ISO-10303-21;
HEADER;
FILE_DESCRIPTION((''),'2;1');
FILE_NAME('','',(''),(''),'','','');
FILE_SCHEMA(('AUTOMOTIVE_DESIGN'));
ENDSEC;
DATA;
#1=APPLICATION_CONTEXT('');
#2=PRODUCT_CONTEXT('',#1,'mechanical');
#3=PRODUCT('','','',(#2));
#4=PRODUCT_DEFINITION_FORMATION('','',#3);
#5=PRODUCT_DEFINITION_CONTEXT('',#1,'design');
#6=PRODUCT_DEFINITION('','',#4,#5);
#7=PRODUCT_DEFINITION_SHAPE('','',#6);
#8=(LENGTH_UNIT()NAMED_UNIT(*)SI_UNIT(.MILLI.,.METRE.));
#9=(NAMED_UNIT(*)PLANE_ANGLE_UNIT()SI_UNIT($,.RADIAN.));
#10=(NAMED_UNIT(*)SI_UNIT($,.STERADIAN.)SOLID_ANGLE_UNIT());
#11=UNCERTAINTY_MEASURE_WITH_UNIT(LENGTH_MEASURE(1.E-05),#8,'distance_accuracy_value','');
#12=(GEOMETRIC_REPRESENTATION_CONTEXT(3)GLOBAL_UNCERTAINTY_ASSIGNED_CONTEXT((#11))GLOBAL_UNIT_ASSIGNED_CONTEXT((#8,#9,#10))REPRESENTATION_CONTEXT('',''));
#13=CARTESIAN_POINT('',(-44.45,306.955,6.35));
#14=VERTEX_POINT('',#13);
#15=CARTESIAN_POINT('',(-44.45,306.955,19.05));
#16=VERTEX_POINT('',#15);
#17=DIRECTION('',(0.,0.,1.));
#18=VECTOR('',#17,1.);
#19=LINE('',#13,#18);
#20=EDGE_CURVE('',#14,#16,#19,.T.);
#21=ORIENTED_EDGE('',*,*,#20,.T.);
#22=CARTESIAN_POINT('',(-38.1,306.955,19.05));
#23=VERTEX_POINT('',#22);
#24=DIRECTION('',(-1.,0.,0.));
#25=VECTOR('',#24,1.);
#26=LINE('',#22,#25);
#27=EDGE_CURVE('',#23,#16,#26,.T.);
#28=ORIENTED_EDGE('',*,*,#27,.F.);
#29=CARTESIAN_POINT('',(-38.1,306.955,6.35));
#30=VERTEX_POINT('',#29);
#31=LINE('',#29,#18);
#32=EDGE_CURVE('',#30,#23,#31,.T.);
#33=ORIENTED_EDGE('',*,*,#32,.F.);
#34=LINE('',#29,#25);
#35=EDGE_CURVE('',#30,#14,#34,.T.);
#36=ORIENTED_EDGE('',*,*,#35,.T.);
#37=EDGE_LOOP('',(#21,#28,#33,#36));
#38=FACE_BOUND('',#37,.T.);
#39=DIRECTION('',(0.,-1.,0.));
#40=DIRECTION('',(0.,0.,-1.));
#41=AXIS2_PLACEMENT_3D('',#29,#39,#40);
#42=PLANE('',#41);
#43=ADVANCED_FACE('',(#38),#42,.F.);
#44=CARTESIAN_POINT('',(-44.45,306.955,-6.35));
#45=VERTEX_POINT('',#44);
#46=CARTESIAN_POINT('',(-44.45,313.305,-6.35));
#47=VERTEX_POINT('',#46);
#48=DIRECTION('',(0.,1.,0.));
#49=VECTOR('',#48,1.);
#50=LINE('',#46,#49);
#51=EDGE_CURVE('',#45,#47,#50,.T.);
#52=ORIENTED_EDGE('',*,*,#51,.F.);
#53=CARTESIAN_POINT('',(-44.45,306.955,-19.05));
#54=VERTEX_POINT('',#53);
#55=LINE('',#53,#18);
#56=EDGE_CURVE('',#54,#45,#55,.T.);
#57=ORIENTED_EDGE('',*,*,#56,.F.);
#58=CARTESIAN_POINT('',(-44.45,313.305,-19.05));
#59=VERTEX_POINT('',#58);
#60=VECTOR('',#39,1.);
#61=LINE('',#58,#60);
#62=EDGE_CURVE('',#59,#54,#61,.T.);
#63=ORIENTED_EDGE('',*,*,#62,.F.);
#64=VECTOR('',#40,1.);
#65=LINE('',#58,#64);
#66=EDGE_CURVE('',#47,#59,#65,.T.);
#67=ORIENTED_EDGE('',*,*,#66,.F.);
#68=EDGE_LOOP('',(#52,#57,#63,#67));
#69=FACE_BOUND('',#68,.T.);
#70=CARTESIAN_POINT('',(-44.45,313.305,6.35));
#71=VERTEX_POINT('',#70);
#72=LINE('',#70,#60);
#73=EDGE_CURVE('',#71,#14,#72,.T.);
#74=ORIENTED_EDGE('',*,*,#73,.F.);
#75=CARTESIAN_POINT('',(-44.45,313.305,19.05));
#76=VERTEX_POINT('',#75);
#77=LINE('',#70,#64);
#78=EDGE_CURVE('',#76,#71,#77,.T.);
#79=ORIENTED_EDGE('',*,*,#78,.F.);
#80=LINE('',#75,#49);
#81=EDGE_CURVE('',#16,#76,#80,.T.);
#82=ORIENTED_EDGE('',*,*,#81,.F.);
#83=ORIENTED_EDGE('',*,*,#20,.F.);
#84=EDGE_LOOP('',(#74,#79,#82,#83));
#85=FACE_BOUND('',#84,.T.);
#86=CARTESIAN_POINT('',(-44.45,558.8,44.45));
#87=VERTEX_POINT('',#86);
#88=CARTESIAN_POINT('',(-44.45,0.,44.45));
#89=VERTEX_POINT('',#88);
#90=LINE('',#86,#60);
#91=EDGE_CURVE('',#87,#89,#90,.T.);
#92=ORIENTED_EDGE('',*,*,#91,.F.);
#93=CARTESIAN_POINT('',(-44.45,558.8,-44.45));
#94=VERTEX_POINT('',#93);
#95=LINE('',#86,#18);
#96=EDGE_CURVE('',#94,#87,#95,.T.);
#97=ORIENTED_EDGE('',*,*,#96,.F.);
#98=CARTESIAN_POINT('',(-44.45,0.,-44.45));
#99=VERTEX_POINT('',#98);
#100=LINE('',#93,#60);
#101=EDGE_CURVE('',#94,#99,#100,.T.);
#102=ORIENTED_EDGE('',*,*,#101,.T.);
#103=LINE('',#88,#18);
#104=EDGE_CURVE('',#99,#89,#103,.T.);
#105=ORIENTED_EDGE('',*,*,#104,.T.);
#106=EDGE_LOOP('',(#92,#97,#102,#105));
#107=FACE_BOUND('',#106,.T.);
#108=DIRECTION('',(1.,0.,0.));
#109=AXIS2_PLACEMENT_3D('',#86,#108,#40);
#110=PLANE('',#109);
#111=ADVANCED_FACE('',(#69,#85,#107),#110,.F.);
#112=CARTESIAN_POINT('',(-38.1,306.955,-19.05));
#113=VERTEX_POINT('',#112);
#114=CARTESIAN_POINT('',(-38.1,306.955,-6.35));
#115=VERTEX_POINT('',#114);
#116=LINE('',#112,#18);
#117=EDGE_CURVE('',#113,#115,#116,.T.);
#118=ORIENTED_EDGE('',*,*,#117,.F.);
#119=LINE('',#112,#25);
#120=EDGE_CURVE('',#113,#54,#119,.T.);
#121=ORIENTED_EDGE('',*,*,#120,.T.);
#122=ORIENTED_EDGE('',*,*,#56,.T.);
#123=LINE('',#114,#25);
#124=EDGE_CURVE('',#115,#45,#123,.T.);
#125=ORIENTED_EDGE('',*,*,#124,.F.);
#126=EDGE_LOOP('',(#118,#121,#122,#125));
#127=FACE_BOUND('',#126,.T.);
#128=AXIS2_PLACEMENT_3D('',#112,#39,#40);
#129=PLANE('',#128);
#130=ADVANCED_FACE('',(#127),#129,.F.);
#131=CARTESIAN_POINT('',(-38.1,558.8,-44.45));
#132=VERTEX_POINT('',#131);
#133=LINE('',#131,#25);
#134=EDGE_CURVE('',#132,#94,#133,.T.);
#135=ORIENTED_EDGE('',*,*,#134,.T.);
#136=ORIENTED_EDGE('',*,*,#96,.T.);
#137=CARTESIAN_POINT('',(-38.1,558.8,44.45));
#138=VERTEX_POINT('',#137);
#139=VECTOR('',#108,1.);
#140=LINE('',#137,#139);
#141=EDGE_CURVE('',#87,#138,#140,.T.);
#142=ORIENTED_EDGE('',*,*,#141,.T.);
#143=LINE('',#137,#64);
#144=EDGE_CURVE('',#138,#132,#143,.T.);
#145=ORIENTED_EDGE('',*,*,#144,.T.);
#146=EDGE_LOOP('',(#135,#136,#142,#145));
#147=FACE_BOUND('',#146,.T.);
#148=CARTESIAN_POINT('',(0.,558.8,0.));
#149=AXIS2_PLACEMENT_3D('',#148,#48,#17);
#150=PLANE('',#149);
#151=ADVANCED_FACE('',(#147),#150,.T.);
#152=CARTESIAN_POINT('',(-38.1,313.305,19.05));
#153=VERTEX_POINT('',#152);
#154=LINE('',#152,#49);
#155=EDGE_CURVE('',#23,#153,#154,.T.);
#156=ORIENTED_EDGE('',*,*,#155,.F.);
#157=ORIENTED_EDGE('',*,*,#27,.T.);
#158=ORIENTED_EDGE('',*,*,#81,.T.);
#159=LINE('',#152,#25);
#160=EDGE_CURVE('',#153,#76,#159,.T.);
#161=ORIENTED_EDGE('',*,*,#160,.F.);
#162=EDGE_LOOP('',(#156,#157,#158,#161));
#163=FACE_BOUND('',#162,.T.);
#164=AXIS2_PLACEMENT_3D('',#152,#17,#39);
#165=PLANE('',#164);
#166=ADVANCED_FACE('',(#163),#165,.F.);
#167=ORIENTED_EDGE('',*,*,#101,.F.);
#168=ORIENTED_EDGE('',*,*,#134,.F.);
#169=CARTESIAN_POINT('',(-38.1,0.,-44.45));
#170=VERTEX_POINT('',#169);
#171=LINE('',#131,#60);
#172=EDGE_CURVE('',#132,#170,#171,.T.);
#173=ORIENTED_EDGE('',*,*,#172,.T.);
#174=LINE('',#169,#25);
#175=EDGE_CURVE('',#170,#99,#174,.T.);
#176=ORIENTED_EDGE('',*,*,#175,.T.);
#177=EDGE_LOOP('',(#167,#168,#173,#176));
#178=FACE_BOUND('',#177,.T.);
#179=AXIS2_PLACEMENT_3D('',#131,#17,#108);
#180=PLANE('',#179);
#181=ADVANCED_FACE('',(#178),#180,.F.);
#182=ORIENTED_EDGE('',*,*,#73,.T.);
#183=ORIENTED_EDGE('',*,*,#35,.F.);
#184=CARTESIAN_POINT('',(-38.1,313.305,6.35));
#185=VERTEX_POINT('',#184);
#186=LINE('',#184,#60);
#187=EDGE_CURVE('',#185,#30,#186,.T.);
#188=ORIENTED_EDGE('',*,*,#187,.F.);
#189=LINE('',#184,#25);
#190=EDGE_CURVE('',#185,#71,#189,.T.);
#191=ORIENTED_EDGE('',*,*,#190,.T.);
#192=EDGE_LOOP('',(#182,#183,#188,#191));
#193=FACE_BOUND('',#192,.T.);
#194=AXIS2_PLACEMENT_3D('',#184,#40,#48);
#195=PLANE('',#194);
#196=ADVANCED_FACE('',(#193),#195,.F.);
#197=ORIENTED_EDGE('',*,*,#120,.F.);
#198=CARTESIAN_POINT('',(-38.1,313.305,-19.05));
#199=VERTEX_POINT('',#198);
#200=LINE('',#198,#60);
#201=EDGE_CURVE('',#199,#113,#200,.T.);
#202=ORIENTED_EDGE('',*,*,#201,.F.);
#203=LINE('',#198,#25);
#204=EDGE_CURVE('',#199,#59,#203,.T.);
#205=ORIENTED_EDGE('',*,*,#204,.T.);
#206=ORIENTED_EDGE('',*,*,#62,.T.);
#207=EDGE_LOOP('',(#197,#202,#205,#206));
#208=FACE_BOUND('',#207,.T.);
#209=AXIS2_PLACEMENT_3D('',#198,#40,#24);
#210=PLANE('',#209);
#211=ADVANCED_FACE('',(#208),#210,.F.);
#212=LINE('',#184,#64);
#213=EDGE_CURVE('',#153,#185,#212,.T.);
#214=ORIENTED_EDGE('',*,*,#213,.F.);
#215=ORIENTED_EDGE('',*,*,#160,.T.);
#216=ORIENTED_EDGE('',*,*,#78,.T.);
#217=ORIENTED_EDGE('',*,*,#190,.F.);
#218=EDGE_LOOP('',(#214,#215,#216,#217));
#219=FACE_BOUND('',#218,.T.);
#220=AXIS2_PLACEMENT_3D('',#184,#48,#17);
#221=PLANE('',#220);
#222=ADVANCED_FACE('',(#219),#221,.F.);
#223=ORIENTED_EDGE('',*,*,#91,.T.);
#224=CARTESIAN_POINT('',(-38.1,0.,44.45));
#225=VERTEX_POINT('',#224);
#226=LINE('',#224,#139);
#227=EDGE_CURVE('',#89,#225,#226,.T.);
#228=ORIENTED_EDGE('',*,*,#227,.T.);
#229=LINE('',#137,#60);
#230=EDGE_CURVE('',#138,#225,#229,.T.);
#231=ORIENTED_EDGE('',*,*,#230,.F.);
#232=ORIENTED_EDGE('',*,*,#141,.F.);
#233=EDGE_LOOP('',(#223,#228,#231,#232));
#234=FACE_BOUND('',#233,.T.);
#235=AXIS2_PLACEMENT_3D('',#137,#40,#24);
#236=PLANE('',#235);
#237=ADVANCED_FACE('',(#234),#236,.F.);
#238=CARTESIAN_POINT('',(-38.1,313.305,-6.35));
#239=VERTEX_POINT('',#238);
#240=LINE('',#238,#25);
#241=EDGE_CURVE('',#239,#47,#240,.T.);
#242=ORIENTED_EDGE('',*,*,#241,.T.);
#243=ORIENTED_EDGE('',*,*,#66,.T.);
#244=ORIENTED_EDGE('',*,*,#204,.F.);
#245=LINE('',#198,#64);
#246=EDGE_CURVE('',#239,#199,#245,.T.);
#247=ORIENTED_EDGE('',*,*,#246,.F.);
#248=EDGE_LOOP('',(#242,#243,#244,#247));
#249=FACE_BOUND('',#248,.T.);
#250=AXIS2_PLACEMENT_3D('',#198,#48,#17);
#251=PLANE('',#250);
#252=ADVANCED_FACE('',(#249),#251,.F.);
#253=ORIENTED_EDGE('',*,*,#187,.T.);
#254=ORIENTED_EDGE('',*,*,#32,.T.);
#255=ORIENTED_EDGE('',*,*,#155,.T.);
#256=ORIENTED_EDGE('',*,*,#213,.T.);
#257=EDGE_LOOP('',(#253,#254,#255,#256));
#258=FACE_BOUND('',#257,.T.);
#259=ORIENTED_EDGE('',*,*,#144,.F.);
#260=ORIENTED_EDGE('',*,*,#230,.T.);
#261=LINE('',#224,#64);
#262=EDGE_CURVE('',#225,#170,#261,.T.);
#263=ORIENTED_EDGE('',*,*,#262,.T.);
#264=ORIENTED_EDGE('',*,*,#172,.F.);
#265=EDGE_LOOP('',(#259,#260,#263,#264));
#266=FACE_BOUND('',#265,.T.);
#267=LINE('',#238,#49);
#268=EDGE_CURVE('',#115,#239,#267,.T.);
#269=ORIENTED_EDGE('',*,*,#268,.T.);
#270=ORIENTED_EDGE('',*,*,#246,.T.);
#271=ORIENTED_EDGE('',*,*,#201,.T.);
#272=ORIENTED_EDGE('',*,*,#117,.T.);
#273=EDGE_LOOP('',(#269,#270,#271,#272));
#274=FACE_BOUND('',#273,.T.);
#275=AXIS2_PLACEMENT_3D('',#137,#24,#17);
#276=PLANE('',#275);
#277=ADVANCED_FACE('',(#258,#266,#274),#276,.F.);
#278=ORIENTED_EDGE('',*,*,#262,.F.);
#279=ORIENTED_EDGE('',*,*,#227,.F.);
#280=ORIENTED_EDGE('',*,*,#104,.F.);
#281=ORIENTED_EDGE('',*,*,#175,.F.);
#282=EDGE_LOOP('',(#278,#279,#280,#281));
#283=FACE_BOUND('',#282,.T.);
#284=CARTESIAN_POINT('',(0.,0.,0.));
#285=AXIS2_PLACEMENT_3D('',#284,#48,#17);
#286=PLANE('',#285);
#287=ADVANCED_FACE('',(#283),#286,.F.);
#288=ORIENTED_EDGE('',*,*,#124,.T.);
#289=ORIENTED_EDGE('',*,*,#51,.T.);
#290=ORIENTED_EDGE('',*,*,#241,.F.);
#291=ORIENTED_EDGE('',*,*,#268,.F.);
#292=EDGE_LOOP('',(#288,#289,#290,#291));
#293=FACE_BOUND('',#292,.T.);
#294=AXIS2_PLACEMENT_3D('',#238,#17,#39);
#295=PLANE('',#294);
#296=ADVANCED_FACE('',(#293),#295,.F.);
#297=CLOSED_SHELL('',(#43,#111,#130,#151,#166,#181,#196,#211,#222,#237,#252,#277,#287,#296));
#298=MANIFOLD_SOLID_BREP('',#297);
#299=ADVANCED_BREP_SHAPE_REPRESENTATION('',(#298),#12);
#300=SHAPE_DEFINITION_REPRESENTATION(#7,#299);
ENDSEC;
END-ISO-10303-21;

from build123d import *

# Parameters (mm, degrees)
SKETCH2_W           = 6.35
SKETCH2_H           = 88.9
BOSS_EXTRUDE1_DEPTH = 558.8
SKETCH3_W           = 12.7
SKETCH3_H           = 6.35
CUT_EXTRUDE1_DEPTH  = 561.60107474


with BuildPart() as part:
    # Sketch2 → Boss-Extrude1 (new body)
    with BuildSketch(Plane(origin=(0, 0, 0), x_dir=(1, 0, 0), z_dir=(0, 1, 0))):
        with Locations((-41.275, 0)):
            Rectangle(SKETCH2_W, SKETCH2_H)
    extrude(amount=BOSS_EXTRUDE1_DEPTH)

    # Sketch3 → Cut-Extrude1 (cut, through all)
    with BuildSketch(Plane.ZY.offset(44.45)):
        with Locations((-12.7, 310.13)):
            Rectangle(SKETCH3_W, SKETCH3_H)
        with Locations((12.7, 310.13)):
            Rectangle(SKETCH3_W, SKETCH3_H)
    extrude(amount=-CUT_EXTRUDE1_DEPTH, mode=Mode.SUBTRACT)


solid = part.part
